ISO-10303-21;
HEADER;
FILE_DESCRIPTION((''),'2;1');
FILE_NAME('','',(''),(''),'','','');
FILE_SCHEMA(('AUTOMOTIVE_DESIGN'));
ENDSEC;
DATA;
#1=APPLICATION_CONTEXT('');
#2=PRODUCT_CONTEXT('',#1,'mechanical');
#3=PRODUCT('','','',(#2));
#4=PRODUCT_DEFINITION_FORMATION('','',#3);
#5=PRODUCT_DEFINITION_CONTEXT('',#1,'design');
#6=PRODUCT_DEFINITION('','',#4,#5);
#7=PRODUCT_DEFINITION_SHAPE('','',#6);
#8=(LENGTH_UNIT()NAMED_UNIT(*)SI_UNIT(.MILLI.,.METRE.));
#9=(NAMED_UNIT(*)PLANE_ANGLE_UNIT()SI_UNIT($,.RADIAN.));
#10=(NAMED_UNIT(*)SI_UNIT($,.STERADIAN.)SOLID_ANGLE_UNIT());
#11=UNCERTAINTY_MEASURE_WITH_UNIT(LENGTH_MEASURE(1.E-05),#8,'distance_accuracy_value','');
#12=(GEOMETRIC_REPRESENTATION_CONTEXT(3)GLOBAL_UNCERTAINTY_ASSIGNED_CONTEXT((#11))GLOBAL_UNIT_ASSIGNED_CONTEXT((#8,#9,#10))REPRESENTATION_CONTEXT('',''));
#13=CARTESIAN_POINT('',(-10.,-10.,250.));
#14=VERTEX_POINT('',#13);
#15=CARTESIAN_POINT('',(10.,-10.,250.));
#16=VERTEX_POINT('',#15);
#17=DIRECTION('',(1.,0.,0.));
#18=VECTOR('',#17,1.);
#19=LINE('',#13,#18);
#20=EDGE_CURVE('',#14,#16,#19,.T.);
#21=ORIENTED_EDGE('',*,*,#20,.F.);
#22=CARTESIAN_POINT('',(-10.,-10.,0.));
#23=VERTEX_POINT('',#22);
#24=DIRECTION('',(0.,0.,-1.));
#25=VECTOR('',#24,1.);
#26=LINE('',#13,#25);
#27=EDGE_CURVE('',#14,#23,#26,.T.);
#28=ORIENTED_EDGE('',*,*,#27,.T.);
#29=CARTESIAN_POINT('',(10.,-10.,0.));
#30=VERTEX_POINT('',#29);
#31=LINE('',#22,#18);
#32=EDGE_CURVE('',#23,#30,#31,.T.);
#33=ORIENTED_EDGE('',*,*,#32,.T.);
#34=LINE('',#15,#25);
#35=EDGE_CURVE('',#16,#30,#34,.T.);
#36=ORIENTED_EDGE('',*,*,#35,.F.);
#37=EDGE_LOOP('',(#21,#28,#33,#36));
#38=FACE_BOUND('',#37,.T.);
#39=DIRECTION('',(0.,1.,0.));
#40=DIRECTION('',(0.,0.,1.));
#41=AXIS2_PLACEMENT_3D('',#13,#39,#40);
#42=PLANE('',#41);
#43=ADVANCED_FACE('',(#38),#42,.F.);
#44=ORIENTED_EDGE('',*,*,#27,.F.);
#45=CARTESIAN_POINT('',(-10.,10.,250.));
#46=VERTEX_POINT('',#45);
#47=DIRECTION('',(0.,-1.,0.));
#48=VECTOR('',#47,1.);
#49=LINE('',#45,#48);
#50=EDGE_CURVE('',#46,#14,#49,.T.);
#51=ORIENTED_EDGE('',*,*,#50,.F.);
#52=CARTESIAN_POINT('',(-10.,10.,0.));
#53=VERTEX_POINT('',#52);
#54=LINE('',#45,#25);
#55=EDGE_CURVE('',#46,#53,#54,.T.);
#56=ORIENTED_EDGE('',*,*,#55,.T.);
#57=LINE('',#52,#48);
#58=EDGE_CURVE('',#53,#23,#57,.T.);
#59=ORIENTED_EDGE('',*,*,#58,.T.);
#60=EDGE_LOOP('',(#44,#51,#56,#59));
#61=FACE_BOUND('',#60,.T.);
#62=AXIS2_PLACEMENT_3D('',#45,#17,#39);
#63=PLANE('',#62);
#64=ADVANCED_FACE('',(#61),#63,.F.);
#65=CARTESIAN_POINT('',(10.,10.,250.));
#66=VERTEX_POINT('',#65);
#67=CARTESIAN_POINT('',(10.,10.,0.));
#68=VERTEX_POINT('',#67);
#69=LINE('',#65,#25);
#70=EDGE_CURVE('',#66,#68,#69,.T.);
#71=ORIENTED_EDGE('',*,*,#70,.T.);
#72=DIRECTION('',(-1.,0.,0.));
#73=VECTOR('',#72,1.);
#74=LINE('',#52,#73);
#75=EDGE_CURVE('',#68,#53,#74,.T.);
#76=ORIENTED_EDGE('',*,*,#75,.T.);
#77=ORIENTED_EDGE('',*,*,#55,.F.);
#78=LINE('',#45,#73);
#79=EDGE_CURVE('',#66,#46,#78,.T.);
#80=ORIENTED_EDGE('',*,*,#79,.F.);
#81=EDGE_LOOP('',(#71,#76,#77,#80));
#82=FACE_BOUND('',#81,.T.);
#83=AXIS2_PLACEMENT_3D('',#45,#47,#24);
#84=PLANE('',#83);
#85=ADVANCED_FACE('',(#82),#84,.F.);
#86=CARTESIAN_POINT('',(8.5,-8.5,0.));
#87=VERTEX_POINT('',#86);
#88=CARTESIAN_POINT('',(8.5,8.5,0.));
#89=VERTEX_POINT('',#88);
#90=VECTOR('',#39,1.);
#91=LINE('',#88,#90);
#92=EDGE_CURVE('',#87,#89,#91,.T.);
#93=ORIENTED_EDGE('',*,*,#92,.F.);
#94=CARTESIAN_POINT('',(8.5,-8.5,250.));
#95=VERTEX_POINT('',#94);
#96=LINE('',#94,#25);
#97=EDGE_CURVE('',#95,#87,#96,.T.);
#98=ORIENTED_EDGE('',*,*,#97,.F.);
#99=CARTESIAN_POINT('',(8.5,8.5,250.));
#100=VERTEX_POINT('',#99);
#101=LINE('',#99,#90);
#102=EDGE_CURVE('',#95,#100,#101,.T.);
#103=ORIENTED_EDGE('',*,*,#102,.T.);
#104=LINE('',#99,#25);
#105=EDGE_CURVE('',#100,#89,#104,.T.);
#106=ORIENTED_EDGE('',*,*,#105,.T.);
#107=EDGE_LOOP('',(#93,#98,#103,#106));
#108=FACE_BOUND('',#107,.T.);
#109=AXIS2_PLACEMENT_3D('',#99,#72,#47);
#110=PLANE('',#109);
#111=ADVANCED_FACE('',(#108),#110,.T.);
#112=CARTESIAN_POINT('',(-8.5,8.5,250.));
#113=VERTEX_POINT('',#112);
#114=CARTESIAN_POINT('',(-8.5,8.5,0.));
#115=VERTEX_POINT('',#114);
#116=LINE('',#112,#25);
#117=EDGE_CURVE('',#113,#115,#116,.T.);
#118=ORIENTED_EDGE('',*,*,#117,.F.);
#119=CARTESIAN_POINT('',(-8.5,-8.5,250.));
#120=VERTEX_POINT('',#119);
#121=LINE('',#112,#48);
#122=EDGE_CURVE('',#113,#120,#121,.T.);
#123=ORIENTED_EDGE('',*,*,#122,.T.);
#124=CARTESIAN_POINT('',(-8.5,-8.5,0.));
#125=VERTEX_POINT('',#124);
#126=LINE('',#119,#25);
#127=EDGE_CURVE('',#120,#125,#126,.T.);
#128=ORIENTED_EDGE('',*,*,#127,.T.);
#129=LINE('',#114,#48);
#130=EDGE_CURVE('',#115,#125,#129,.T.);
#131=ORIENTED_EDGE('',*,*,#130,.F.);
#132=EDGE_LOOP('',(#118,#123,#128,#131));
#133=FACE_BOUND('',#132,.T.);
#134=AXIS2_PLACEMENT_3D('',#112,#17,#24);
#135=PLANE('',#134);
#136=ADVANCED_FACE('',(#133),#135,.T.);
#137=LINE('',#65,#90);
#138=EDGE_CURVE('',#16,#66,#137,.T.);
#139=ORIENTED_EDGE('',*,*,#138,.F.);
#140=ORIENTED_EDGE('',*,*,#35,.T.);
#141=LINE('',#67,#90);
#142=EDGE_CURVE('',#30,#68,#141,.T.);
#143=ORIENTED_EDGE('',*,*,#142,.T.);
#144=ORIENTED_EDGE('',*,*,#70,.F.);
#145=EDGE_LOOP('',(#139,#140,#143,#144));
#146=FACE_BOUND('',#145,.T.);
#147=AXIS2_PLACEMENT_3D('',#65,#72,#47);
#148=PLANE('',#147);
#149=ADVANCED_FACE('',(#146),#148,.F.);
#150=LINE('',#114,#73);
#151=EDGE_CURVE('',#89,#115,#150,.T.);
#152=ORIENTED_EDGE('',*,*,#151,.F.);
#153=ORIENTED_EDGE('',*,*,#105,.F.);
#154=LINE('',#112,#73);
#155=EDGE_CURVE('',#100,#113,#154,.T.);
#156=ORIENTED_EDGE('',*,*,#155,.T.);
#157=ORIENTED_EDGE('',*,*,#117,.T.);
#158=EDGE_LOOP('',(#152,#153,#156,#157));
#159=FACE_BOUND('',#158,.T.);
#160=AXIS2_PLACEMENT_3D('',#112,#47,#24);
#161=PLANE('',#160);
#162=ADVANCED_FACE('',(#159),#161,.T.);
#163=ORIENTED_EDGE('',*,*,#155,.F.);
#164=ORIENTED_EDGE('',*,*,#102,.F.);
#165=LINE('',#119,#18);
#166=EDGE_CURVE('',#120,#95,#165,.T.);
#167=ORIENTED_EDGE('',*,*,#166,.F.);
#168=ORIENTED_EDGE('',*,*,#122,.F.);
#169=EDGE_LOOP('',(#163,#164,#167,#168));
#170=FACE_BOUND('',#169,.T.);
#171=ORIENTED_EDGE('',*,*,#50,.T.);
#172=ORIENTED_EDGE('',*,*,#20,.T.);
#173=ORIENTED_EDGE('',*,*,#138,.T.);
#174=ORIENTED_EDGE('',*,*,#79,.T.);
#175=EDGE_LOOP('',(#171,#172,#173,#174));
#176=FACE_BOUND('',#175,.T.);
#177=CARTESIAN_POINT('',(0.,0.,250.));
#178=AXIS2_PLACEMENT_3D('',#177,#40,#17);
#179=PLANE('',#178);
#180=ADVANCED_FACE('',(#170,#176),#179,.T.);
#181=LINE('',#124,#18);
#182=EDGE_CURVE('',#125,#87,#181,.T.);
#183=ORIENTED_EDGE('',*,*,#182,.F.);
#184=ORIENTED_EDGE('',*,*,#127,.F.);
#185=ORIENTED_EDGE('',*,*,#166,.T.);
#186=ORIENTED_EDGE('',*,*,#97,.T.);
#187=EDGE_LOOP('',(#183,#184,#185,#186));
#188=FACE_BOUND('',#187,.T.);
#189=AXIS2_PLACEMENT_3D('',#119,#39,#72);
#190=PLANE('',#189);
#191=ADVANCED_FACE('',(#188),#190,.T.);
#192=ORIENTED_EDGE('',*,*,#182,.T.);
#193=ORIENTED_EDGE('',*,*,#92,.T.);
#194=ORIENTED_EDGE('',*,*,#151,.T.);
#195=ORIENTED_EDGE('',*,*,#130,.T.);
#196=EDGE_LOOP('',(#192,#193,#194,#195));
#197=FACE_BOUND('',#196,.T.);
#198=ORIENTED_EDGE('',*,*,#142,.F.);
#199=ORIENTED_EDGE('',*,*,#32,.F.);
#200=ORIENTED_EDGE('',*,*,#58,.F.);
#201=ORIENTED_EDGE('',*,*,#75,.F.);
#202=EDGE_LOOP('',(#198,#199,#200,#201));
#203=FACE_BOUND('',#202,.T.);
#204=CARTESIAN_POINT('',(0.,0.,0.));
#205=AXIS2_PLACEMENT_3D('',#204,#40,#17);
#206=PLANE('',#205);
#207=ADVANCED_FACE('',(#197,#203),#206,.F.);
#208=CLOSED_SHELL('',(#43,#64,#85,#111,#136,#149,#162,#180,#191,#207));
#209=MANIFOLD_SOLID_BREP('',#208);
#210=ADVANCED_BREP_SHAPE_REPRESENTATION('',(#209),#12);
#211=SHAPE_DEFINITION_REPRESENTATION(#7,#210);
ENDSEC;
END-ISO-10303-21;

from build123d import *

# Parameters (mm, degrees)
SKETCH_1_W      = 20
SKETCH_1_H      = 20
SKETCH_1_W_2    = 17
SKETCH_1_H_2    = 17
EXTRUDE_1_DEPTH = 250


with BuildPart() as part:
    # ｽｹｯﾁ1 → ﾎﾞｽ - 押し出し1 (new body)
    with BuildSketch(Plane.XY):
        Rectangle(SKETCH_1_W, SKETCH_1_H)
        Rectangle(SKETCH_1_W_2, SKETCH_1_H_2, mode=Mode.SUBTRACT)
    extrude(amount=EXTRUDE_1_DEPTH)


solid = part.part
